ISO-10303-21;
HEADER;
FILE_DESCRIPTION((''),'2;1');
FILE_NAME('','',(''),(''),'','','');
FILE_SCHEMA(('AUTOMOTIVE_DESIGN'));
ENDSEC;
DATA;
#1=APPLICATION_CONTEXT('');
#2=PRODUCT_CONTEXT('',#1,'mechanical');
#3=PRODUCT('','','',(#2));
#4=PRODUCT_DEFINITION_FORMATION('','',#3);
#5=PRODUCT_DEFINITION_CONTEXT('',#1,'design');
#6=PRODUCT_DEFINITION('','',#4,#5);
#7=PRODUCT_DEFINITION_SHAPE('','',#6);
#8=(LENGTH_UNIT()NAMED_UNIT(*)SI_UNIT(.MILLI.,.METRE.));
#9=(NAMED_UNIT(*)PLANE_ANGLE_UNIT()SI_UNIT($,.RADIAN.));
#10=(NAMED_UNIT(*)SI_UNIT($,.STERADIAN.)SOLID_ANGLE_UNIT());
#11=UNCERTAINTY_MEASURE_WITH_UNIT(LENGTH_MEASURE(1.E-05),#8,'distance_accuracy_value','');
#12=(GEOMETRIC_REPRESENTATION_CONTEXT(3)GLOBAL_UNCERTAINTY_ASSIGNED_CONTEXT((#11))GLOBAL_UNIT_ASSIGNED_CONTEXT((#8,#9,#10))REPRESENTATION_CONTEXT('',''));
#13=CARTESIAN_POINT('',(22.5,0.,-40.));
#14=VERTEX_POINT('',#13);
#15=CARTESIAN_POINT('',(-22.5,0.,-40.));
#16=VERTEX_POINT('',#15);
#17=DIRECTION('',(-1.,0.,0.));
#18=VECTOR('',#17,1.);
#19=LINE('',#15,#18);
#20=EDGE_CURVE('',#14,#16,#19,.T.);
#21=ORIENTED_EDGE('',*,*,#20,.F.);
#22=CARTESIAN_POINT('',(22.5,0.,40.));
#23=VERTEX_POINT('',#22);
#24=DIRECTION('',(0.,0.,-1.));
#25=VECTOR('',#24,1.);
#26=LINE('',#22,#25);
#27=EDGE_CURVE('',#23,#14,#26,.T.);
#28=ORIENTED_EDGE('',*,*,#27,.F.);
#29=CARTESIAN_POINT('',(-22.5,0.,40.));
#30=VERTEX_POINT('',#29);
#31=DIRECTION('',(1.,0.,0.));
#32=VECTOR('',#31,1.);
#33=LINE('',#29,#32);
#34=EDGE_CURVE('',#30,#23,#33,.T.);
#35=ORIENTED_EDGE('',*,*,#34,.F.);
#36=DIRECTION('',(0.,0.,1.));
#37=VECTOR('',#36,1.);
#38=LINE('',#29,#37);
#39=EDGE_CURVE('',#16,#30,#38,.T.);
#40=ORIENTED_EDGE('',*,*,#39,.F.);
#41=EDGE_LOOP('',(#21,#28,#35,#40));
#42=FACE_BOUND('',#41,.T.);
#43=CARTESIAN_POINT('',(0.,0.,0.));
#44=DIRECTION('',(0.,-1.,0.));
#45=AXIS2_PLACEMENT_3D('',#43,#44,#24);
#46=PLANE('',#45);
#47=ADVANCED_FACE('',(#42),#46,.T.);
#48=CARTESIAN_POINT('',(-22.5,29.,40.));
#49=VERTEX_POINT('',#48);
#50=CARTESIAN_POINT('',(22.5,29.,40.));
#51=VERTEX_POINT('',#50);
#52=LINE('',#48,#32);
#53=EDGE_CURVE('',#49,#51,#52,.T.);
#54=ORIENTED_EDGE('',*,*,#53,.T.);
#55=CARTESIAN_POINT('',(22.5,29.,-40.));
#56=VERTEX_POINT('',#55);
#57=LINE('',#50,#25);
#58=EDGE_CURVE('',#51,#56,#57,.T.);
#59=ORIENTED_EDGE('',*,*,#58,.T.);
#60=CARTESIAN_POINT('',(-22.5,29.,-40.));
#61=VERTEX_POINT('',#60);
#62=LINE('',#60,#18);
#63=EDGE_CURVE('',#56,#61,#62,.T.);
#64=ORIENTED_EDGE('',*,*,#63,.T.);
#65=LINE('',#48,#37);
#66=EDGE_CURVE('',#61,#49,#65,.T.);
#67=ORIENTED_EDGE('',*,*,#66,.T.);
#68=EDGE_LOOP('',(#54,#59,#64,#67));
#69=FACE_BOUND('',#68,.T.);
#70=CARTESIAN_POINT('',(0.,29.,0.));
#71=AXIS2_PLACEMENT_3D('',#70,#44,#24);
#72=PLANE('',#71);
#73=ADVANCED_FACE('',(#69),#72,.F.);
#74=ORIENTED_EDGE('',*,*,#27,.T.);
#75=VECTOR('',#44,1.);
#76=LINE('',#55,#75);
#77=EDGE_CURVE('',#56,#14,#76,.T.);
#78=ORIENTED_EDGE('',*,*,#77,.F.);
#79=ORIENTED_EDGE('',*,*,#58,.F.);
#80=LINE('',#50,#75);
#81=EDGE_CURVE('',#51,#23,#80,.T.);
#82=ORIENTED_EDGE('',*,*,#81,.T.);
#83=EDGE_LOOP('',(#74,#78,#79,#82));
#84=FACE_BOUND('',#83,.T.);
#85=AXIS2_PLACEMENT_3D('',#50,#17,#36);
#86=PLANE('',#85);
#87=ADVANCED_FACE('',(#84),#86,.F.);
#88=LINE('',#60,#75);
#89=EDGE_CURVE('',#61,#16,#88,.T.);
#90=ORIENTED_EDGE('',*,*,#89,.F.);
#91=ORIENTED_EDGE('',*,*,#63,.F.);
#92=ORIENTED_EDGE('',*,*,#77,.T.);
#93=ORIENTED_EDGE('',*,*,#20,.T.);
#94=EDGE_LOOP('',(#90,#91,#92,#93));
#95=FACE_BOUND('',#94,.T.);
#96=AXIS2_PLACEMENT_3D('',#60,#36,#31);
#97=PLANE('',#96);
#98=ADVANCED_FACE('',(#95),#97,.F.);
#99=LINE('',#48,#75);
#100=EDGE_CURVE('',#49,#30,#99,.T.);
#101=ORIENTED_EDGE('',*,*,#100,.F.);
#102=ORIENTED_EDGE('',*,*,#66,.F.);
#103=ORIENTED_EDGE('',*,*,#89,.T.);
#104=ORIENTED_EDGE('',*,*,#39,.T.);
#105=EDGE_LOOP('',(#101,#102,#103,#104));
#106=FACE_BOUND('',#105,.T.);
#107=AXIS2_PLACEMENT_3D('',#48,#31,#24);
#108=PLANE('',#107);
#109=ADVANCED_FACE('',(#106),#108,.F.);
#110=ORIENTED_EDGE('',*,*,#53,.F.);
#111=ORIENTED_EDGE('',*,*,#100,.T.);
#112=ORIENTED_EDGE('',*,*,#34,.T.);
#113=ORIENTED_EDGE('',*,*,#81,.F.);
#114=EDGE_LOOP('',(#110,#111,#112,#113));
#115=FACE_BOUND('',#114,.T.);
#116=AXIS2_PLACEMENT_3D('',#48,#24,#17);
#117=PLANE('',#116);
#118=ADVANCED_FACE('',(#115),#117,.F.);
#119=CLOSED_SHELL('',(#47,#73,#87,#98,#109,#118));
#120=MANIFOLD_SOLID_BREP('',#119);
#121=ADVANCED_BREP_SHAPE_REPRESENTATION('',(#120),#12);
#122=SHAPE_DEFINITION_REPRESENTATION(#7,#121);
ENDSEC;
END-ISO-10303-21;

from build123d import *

# Parameters (mm, degrees)
SKETCH1_W           = 45
SKETCH1_H           = 80
BOSS_EXTRUDE1_DEPTH = 29


with BuildPart() as part:
    # Sketch1 → Boss-Extrude1 (new body)
    with BuildSketch(Plane(origin=(0, 0, 0), x_dir=(1, 0, 0), z_dir=(0, 1, 0))):
        Rectangle(SKETCH1_W, SKETCH1_H)
    extrude(amount=BOSS_EXTRUDE1_DEPTH)


solid = part.part
